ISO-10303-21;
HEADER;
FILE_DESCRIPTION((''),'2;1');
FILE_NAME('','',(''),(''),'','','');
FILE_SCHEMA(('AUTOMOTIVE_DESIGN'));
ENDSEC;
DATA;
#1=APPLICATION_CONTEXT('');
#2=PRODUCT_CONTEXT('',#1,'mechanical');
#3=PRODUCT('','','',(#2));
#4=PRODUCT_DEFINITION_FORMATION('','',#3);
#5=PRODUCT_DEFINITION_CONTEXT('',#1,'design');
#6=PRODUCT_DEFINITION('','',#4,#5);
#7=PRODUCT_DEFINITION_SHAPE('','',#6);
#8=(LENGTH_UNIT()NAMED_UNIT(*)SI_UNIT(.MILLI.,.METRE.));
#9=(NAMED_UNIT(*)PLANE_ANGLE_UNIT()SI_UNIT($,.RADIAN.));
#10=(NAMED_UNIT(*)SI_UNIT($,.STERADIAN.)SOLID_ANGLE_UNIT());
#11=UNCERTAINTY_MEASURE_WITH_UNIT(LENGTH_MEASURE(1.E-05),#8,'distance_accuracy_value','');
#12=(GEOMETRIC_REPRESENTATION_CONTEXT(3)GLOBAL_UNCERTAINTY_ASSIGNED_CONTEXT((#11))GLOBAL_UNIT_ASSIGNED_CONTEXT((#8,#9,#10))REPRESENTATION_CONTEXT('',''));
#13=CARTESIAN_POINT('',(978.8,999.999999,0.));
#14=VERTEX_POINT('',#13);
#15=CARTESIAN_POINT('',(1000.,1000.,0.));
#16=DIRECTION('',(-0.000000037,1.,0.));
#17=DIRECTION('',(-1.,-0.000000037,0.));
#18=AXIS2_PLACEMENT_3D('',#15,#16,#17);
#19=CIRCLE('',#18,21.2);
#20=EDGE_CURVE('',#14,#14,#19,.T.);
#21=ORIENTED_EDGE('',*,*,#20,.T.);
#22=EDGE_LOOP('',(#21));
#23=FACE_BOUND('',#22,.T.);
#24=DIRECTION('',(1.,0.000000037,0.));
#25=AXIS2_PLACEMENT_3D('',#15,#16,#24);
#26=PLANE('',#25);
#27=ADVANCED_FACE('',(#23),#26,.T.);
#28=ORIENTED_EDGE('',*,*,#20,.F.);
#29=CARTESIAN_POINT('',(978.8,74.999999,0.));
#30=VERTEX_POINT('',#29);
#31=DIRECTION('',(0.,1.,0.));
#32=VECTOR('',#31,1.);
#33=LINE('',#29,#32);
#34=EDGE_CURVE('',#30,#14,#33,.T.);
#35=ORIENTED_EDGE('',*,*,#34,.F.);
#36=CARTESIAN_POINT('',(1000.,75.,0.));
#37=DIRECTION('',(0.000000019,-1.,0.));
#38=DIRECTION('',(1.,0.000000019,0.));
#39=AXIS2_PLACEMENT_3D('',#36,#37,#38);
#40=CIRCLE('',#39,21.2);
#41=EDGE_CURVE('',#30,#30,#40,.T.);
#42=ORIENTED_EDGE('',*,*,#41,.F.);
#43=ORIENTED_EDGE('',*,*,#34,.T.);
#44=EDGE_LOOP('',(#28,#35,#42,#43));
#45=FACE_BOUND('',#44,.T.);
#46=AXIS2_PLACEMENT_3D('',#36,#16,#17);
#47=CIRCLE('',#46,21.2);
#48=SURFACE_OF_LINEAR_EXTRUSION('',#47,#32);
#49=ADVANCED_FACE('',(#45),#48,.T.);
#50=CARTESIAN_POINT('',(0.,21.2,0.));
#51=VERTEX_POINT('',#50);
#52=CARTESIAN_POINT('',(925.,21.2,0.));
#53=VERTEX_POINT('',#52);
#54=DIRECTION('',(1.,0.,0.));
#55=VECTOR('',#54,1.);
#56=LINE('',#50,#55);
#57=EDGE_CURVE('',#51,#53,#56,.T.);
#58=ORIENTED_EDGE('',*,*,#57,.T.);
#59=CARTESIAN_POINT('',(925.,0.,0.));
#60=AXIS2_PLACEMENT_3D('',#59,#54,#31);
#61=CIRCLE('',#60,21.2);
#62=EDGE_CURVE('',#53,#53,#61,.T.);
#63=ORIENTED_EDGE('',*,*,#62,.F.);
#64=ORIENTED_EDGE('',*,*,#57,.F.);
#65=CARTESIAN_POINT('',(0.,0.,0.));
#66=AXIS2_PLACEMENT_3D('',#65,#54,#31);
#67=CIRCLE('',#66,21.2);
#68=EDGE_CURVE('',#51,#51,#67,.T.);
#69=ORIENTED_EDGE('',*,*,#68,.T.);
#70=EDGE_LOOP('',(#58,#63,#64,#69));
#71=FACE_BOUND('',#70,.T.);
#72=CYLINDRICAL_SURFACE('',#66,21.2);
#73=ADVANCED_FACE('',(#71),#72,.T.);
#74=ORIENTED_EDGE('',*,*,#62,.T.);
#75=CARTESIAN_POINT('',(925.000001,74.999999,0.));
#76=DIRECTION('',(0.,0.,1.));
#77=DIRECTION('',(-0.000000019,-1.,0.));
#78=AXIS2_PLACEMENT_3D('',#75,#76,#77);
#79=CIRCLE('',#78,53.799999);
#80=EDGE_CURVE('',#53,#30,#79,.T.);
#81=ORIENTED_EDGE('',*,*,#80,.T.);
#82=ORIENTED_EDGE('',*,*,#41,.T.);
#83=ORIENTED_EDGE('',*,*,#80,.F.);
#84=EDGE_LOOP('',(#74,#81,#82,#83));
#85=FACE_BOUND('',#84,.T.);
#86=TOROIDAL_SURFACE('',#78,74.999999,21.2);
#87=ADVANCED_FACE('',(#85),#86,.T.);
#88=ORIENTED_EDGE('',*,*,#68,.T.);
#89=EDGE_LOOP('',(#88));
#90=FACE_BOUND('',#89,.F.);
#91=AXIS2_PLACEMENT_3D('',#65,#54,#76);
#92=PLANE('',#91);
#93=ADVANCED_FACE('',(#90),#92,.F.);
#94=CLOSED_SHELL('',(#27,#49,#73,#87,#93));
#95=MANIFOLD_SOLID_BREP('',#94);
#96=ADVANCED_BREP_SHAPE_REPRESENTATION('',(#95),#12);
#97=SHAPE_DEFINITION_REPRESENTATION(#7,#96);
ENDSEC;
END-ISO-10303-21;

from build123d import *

# Parameters (mm, degrees)
F1_R = 21.2


with BuildPart() as f2:
    # F2: sweep along a path in F0
    with BuildLine(Plane.XY) as f2_path:
        Line((0, 0), (925, 0))
        ThreePointArc((925, 0), (978.033009, 21.966991), (1000, 75))
        Line((1000, 75), (1000, 1000))
    # F1 (on Right) → F2 (sweep)
    with BuildSketch(Plane.YZ):
        Circle(F1_R)
    sweep(path=f2_path.line)


solid = f2.part
